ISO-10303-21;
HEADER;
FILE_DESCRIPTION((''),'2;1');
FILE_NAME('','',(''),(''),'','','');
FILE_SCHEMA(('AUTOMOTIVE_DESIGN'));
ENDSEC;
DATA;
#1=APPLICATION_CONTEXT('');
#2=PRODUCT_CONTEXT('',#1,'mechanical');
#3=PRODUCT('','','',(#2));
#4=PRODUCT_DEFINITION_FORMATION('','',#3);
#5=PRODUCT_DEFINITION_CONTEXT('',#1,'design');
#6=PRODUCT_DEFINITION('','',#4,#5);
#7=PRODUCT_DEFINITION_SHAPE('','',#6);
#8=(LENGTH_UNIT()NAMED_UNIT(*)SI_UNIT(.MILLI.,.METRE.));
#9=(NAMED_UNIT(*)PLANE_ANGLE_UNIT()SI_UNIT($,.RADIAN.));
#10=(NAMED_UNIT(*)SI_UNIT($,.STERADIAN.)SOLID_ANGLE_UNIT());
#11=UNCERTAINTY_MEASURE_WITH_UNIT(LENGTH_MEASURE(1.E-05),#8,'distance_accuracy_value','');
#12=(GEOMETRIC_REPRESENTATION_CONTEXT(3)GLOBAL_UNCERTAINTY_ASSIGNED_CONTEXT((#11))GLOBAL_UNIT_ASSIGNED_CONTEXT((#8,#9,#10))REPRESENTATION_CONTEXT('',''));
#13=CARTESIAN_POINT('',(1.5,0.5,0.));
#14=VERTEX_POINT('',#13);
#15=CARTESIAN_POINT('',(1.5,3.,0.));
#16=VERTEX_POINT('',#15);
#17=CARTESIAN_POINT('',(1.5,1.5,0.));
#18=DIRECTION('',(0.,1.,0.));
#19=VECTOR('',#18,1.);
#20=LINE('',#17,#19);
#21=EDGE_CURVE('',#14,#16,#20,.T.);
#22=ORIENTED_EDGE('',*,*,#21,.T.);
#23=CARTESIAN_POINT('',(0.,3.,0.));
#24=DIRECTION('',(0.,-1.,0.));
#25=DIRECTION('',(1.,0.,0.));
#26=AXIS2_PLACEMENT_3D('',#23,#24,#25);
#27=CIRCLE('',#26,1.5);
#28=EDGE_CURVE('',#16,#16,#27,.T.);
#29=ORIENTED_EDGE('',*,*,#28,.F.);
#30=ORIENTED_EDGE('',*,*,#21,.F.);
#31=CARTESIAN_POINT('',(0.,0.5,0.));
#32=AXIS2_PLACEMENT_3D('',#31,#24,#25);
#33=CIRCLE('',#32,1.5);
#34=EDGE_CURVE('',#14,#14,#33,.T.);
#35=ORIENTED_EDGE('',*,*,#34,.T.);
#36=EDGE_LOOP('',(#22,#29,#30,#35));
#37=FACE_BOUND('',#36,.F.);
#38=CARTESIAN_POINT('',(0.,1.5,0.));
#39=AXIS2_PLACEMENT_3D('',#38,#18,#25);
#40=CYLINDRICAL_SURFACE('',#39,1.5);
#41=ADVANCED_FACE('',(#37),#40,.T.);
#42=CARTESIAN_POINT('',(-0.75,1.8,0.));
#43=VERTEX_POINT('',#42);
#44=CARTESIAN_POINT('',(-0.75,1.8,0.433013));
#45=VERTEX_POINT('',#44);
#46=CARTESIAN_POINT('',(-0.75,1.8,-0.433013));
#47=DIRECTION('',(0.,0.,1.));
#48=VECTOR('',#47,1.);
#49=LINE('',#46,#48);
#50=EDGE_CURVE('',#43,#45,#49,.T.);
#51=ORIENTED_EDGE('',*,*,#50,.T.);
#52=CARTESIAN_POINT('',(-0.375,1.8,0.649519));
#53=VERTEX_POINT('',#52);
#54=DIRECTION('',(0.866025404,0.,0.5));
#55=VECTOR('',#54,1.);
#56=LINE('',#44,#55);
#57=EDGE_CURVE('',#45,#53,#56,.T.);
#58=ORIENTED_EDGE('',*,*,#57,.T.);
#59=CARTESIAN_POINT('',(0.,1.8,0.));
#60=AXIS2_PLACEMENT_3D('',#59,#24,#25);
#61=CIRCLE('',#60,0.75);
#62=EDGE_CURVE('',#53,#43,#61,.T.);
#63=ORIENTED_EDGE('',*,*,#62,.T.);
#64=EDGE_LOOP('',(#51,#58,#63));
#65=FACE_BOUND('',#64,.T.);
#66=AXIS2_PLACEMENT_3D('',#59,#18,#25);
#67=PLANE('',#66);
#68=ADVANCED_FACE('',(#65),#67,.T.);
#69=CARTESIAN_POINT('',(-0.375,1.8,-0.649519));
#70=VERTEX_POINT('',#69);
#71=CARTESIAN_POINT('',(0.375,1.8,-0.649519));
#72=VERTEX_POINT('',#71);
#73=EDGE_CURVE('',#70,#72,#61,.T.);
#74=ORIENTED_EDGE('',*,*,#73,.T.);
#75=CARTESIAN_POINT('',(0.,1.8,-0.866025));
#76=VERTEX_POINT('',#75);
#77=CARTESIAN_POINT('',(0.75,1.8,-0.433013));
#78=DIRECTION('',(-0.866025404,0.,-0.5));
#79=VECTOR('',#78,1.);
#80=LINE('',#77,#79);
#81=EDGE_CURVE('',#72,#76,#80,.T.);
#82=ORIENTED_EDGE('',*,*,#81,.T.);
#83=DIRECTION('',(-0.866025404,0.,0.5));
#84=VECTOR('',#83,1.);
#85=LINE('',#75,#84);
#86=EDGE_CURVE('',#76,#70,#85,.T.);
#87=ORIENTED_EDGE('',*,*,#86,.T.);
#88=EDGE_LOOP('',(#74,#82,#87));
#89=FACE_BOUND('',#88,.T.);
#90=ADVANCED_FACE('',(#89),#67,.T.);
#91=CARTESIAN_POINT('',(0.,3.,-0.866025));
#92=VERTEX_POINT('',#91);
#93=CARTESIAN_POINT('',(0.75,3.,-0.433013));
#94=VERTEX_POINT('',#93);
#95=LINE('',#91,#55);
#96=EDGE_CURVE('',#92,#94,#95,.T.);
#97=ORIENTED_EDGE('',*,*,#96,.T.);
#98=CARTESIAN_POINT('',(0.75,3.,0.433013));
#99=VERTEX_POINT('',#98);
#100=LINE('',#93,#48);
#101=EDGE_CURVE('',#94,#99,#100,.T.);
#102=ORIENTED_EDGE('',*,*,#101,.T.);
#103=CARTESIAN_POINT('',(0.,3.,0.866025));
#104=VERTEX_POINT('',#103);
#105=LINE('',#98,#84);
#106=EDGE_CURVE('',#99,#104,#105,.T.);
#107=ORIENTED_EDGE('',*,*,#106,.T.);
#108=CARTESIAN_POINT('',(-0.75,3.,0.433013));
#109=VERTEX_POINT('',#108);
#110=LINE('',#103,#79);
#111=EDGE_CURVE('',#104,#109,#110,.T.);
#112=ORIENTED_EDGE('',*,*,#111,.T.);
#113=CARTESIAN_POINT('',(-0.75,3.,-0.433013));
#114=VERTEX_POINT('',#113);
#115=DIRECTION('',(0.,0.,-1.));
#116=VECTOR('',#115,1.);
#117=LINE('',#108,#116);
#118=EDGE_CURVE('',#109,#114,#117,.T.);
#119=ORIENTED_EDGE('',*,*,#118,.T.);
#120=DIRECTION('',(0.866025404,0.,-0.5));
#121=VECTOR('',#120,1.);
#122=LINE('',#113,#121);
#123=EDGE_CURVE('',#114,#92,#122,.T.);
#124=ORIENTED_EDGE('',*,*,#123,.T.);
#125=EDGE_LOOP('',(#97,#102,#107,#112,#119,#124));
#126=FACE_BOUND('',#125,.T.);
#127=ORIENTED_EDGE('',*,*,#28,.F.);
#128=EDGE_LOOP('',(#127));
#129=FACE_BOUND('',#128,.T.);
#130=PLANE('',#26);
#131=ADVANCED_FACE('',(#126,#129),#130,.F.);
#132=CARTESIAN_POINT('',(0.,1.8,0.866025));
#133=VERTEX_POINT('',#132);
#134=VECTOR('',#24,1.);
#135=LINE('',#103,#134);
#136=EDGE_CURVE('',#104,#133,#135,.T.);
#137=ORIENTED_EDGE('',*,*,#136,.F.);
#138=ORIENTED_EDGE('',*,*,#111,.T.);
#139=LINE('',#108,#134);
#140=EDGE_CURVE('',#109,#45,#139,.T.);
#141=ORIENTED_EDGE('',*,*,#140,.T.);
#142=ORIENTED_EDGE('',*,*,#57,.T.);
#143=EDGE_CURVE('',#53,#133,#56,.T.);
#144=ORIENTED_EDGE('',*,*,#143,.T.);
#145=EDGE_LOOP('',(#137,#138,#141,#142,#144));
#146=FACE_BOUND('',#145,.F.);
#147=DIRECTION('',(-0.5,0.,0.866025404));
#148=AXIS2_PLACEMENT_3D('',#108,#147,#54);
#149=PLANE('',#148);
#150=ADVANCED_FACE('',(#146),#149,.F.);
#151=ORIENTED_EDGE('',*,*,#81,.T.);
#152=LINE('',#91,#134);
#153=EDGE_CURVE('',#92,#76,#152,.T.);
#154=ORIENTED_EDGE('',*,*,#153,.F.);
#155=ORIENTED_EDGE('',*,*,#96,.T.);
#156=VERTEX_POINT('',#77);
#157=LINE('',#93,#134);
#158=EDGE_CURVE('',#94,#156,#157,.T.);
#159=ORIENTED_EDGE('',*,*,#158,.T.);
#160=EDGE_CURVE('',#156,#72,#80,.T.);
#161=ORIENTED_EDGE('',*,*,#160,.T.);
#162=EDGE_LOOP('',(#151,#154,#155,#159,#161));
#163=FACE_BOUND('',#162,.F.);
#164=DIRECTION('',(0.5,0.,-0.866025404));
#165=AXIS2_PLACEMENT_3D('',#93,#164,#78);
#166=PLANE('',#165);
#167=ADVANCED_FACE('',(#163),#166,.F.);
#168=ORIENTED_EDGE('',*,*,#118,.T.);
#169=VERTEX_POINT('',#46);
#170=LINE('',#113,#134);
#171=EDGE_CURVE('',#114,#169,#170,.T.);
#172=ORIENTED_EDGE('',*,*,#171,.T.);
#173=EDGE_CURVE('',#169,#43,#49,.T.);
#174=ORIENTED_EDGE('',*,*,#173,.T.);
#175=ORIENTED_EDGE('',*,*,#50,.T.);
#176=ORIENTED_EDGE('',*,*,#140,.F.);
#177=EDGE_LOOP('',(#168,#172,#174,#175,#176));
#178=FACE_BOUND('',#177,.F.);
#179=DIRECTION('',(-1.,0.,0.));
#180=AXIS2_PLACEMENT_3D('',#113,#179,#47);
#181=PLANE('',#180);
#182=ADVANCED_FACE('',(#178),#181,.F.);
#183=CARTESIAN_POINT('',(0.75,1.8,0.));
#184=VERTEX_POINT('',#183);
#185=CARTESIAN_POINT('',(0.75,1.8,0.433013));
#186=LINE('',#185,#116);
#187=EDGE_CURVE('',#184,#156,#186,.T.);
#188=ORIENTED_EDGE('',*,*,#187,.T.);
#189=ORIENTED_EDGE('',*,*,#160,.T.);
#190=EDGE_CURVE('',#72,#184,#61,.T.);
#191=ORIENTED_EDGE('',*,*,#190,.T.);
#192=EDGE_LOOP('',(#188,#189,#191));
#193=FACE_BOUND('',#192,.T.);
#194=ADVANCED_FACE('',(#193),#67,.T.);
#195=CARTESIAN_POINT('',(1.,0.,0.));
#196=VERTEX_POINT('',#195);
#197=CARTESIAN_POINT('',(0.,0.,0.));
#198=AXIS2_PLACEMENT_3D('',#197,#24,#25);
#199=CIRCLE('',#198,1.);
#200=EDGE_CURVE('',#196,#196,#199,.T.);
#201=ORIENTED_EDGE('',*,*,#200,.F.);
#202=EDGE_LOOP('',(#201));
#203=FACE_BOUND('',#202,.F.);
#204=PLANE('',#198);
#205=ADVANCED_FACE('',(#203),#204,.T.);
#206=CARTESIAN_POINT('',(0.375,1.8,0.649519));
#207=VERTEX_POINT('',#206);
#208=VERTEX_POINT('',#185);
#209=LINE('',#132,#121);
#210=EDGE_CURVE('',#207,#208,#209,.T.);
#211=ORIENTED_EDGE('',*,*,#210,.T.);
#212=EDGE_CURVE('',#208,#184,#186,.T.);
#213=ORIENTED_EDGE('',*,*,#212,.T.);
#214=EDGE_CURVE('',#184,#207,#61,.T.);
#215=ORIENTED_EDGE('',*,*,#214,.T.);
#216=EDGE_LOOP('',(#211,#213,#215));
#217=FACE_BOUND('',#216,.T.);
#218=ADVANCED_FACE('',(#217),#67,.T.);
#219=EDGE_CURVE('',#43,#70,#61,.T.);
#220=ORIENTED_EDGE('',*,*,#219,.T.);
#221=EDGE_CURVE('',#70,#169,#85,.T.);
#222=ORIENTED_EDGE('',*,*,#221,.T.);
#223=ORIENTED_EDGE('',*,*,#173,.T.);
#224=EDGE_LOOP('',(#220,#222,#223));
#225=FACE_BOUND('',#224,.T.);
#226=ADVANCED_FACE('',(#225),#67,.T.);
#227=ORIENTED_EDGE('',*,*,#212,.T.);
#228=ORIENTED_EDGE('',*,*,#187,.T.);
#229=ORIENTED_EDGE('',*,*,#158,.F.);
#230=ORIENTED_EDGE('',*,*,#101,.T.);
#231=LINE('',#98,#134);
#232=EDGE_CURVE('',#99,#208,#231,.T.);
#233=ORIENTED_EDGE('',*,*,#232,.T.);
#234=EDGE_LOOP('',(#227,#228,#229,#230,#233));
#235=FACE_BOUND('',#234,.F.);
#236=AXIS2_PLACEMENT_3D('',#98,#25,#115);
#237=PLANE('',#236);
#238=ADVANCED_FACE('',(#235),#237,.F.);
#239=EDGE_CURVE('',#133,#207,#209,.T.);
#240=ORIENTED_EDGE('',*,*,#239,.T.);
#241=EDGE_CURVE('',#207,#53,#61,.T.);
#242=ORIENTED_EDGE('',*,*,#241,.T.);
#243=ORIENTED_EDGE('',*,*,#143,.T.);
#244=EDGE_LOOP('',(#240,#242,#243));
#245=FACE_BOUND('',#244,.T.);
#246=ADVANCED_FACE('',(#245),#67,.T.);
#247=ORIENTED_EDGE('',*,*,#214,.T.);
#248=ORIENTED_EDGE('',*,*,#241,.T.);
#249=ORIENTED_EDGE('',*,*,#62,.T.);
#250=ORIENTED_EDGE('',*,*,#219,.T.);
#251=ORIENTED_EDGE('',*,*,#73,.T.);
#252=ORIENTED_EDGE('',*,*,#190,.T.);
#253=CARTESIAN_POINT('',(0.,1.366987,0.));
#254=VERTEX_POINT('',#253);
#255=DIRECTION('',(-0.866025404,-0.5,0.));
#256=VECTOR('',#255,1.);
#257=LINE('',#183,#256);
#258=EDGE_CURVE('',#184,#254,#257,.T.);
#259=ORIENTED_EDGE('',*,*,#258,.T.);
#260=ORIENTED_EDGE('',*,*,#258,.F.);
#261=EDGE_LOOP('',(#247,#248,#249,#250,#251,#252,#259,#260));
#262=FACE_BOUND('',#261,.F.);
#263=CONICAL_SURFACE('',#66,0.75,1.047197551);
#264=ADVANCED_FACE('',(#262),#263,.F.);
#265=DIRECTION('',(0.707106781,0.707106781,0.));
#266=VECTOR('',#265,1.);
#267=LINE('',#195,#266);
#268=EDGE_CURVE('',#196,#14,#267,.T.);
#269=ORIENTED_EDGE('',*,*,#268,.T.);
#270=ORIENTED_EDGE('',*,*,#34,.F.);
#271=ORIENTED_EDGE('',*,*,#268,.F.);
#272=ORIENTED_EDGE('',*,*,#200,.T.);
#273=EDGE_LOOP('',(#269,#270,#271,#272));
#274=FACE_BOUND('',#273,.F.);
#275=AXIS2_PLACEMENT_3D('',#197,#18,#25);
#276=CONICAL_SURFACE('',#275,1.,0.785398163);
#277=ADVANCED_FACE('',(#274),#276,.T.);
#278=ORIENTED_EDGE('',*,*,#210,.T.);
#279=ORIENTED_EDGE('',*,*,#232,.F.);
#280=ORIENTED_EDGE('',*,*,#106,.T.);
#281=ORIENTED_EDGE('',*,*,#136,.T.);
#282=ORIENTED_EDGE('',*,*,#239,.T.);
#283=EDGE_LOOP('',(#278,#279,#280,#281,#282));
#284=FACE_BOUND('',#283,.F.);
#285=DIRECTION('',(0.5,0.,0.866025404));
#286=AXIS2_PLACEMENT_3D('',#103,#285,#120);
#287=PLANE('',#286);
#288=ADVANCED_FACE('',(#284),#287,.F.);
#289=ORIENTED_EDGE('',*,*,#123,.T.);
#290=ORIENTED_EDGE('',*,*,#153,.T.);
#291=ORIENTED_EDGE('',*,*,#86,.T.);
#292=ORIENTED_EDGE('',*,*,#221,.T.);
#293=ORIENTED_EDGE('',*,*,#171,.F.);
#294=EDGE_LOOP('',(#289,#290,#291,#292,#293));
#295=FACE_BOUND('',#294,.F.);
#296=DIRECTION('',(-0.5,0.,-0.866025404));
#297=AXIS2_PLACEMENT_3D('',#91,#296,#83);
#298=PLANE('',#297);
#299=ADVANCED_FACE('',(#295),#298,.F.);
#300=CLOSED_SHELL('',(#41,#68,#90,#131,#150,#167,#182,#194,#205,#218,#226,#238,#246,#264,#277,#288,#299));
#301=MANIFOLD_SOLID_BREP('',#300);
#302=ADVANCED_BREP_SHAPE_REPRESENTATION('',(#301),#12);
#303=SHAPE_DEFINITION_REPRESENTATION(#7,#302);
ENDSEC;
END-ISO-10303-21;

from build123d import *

# Parameters (mm, degrees)
SKETCH1_W          = 1.5
SKETCH1_H          = 3
CUT_EXTRUDE1_DEPTH = 1.2


with BuildPart() as part:
    # Sketch1 → Revolve1 (revolve)
    with BuildSketch(Plane.XY):
        with Locations((0.75, 1.5)):
            Rectangle(SKETCH1_W, SKETCH1_H)
    revolve(axis=Axis((0, 3, 0), (0, -1, 0)))

    # Sketch2 → Cut-Revolve1 (revolve, cut)
    with BuildSketch(Plane.XY):
        Polygon((0, 3), (0.75, 3), (0.75, 1.8), (0, 1.366987298), align=None)
    revolve(axis=Axis((0, 3, 0), (0, -1, 0)), mode=Mode.SUBTRACT)

    # Sketch3 → Cut-Extrude1 (cut)
    with BuildSketch(Plane(origin=(0, 3, 0), x_dir=(1, 0, 0), z_dir=(0, 1, 0))):
        Polygon((0, 0.866025404), (-0.75, 0.433012702), (-0.75, -0.433012702), (0, -0.866025404), (0.75, -0.433012702), (0.75, 0.433012702), align=None)
    extrude(amount=-CUT_EXTRUDE1_DEPTH, mode=Mode.SUBTRACT)

    # Sketch4 → Cut-Revolve2 (revolve, cut)
    with BuildSketch(Plane.XY):
        Polygon((1.5, 0.5), (1.5, 0), (1, 0), align=None)
    revolve(axis=Axis((0, 3, 0), (0, -1, 0)), mode=Mode.SUBTRACT)


solid = part.part
